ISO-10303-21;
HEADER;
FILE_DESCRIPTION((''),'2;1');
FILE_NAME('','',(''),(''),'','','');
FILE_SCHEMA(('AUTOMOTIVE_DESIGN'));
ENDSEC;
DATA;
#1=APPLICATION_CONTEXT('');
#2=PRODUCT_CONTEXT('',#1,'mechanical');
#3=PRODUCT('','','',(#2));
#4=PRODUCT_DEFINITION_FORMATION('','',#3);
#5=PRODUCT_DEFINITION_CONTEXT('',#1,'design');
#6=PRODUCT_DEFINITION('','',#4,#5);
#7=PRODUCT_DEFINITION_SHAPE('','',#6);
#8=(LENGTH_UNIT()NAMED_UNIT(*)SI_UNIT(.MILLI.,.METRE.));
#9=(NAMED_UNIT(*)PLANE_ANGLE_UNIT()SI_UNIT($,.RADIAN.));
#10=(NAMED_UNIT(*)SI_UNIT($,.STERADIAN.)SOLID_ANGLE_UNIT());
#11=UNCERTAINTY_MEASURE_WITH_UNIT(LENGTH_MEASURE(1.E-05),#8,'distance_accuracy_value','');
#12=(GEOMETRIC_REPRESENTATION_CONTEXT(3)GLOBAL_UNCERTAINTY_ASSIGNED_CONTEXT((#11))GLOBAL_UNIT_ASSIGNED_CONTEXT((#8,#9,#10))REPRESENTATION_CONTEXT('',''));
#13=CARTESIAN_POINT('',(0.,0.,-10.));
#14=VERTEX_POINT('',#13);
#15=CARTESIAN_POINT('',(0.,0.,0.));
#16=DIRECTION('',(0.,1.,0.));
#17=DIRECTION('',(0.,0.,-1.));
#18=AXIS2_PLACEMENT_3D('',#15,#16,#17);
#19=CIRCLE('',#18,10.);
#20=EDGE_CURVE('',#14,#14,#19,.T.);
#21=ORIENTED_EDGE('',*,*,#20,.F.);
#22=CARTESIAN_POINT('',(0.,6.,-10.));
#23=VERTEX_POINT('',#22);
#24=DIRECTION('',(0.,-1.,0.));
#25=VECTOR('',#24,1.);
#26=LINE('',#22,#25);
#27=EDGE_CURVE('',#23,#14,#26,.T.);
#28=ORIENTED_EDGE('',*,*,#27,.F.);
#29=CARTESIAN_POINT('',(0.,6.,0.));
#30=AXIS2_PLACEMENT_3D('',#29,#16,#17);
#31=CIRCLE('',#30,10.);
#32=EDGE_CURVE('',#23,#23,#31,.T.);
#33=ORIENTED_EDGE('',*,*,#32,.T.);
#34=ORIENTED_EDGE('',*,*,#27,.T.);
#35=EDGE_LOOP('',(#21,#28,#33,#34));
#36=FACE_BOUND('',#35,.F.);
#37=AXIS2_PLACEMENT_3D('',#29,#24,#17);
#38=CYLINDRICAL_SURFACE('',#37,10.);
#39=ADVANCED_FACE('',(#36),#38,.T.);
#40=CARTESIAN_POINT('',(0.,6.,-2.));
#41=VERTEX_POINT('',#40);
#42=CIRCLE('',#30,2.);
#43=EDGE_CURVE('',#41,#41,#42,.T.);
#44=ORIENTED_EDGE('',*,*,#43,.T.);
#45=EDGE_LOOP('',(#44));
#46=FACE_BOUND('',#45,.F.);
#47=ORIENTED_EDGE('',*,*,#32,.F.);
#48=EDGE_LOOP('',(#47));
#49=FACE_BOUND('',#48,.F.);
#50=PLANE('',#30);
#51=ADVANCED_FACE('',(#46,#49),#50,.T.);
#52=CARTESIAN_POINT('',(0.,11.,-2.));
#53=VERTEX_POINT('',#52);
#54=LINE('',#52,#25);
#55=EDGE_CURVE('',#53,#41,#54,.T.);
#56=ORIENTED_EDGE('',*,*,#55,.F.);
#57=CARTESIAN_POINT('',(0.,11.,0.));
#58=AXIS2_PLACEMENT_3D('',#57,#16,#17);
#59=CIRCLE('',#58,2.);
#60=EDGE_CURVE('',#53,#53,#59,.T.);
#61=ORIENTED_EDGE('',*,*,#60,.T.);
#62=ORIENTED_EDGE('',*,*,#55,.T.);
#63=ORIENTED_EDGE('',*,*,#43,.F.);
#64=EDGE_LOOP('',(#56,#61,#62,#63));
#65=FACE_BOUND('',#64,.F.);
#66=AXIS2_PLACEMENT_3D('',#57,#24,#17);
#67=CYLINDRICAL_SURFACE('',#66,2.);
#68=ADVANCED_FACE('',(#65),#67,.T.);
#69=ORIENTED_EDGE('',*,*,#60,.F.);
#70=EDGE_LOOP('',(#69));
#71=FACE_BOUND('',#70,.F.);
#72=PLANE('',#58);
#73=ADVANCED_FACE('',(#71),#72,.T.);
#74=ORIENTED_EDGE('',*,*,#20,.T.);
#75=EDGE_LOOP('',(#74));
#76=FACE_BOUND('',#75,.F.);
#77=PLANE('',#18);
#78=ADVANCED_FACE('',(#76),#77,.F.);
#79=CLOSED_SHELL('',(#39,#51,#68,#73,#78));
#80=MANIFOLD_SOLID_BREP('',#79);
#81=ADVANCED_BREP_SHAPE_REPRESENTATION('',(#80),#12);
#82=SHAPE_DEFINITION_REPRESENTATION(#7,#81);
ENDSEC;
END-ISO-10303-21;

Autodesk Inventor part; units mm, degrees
ref_plane "YZ Plane" through (0, 0, 0) normal (1, 0, 0) x (0, 1, 0)
ref_plane "XZ Plane" through (0, 0, 0) normal (0, 1, 0) x (-1, 0, 0)
ref_plane "XY Plane" through (0, 0, 0) normal (0, 0, 1) x (1, 0, 0)
sketch "Sketch1" plane through (0, 0, 0) normal (1, 0, 0) x (0, 1, 0)
  line L0 (0, 0) -> (8, 0)
  line L1 (0, 0) -> (6, 0)
  line L2 (6, 0) -> (6, -10)
  line L3 (6, -10) -> (0, -10)
  line L4 (0, -10) -> (0, 0)
  line L5 (6, 0) -> (11, 0)
  line L6 (11, 0) -> (11, -2)
  line L7 (11, -2) -> (6, -2)
  line L8 (6, -2) -> (6, 0)
  dimension "d0" = 8
  dimension "d1" = 6
  dimension "d2" = 10
  dimension "d3" = 5
  dimension "d4" = 2
revolve "Revolution1" add sketch "Sketch1" angle 360 about axis through (0, 0, 0) along (0, 1, 0)
properties part number "Prindere_aux"
